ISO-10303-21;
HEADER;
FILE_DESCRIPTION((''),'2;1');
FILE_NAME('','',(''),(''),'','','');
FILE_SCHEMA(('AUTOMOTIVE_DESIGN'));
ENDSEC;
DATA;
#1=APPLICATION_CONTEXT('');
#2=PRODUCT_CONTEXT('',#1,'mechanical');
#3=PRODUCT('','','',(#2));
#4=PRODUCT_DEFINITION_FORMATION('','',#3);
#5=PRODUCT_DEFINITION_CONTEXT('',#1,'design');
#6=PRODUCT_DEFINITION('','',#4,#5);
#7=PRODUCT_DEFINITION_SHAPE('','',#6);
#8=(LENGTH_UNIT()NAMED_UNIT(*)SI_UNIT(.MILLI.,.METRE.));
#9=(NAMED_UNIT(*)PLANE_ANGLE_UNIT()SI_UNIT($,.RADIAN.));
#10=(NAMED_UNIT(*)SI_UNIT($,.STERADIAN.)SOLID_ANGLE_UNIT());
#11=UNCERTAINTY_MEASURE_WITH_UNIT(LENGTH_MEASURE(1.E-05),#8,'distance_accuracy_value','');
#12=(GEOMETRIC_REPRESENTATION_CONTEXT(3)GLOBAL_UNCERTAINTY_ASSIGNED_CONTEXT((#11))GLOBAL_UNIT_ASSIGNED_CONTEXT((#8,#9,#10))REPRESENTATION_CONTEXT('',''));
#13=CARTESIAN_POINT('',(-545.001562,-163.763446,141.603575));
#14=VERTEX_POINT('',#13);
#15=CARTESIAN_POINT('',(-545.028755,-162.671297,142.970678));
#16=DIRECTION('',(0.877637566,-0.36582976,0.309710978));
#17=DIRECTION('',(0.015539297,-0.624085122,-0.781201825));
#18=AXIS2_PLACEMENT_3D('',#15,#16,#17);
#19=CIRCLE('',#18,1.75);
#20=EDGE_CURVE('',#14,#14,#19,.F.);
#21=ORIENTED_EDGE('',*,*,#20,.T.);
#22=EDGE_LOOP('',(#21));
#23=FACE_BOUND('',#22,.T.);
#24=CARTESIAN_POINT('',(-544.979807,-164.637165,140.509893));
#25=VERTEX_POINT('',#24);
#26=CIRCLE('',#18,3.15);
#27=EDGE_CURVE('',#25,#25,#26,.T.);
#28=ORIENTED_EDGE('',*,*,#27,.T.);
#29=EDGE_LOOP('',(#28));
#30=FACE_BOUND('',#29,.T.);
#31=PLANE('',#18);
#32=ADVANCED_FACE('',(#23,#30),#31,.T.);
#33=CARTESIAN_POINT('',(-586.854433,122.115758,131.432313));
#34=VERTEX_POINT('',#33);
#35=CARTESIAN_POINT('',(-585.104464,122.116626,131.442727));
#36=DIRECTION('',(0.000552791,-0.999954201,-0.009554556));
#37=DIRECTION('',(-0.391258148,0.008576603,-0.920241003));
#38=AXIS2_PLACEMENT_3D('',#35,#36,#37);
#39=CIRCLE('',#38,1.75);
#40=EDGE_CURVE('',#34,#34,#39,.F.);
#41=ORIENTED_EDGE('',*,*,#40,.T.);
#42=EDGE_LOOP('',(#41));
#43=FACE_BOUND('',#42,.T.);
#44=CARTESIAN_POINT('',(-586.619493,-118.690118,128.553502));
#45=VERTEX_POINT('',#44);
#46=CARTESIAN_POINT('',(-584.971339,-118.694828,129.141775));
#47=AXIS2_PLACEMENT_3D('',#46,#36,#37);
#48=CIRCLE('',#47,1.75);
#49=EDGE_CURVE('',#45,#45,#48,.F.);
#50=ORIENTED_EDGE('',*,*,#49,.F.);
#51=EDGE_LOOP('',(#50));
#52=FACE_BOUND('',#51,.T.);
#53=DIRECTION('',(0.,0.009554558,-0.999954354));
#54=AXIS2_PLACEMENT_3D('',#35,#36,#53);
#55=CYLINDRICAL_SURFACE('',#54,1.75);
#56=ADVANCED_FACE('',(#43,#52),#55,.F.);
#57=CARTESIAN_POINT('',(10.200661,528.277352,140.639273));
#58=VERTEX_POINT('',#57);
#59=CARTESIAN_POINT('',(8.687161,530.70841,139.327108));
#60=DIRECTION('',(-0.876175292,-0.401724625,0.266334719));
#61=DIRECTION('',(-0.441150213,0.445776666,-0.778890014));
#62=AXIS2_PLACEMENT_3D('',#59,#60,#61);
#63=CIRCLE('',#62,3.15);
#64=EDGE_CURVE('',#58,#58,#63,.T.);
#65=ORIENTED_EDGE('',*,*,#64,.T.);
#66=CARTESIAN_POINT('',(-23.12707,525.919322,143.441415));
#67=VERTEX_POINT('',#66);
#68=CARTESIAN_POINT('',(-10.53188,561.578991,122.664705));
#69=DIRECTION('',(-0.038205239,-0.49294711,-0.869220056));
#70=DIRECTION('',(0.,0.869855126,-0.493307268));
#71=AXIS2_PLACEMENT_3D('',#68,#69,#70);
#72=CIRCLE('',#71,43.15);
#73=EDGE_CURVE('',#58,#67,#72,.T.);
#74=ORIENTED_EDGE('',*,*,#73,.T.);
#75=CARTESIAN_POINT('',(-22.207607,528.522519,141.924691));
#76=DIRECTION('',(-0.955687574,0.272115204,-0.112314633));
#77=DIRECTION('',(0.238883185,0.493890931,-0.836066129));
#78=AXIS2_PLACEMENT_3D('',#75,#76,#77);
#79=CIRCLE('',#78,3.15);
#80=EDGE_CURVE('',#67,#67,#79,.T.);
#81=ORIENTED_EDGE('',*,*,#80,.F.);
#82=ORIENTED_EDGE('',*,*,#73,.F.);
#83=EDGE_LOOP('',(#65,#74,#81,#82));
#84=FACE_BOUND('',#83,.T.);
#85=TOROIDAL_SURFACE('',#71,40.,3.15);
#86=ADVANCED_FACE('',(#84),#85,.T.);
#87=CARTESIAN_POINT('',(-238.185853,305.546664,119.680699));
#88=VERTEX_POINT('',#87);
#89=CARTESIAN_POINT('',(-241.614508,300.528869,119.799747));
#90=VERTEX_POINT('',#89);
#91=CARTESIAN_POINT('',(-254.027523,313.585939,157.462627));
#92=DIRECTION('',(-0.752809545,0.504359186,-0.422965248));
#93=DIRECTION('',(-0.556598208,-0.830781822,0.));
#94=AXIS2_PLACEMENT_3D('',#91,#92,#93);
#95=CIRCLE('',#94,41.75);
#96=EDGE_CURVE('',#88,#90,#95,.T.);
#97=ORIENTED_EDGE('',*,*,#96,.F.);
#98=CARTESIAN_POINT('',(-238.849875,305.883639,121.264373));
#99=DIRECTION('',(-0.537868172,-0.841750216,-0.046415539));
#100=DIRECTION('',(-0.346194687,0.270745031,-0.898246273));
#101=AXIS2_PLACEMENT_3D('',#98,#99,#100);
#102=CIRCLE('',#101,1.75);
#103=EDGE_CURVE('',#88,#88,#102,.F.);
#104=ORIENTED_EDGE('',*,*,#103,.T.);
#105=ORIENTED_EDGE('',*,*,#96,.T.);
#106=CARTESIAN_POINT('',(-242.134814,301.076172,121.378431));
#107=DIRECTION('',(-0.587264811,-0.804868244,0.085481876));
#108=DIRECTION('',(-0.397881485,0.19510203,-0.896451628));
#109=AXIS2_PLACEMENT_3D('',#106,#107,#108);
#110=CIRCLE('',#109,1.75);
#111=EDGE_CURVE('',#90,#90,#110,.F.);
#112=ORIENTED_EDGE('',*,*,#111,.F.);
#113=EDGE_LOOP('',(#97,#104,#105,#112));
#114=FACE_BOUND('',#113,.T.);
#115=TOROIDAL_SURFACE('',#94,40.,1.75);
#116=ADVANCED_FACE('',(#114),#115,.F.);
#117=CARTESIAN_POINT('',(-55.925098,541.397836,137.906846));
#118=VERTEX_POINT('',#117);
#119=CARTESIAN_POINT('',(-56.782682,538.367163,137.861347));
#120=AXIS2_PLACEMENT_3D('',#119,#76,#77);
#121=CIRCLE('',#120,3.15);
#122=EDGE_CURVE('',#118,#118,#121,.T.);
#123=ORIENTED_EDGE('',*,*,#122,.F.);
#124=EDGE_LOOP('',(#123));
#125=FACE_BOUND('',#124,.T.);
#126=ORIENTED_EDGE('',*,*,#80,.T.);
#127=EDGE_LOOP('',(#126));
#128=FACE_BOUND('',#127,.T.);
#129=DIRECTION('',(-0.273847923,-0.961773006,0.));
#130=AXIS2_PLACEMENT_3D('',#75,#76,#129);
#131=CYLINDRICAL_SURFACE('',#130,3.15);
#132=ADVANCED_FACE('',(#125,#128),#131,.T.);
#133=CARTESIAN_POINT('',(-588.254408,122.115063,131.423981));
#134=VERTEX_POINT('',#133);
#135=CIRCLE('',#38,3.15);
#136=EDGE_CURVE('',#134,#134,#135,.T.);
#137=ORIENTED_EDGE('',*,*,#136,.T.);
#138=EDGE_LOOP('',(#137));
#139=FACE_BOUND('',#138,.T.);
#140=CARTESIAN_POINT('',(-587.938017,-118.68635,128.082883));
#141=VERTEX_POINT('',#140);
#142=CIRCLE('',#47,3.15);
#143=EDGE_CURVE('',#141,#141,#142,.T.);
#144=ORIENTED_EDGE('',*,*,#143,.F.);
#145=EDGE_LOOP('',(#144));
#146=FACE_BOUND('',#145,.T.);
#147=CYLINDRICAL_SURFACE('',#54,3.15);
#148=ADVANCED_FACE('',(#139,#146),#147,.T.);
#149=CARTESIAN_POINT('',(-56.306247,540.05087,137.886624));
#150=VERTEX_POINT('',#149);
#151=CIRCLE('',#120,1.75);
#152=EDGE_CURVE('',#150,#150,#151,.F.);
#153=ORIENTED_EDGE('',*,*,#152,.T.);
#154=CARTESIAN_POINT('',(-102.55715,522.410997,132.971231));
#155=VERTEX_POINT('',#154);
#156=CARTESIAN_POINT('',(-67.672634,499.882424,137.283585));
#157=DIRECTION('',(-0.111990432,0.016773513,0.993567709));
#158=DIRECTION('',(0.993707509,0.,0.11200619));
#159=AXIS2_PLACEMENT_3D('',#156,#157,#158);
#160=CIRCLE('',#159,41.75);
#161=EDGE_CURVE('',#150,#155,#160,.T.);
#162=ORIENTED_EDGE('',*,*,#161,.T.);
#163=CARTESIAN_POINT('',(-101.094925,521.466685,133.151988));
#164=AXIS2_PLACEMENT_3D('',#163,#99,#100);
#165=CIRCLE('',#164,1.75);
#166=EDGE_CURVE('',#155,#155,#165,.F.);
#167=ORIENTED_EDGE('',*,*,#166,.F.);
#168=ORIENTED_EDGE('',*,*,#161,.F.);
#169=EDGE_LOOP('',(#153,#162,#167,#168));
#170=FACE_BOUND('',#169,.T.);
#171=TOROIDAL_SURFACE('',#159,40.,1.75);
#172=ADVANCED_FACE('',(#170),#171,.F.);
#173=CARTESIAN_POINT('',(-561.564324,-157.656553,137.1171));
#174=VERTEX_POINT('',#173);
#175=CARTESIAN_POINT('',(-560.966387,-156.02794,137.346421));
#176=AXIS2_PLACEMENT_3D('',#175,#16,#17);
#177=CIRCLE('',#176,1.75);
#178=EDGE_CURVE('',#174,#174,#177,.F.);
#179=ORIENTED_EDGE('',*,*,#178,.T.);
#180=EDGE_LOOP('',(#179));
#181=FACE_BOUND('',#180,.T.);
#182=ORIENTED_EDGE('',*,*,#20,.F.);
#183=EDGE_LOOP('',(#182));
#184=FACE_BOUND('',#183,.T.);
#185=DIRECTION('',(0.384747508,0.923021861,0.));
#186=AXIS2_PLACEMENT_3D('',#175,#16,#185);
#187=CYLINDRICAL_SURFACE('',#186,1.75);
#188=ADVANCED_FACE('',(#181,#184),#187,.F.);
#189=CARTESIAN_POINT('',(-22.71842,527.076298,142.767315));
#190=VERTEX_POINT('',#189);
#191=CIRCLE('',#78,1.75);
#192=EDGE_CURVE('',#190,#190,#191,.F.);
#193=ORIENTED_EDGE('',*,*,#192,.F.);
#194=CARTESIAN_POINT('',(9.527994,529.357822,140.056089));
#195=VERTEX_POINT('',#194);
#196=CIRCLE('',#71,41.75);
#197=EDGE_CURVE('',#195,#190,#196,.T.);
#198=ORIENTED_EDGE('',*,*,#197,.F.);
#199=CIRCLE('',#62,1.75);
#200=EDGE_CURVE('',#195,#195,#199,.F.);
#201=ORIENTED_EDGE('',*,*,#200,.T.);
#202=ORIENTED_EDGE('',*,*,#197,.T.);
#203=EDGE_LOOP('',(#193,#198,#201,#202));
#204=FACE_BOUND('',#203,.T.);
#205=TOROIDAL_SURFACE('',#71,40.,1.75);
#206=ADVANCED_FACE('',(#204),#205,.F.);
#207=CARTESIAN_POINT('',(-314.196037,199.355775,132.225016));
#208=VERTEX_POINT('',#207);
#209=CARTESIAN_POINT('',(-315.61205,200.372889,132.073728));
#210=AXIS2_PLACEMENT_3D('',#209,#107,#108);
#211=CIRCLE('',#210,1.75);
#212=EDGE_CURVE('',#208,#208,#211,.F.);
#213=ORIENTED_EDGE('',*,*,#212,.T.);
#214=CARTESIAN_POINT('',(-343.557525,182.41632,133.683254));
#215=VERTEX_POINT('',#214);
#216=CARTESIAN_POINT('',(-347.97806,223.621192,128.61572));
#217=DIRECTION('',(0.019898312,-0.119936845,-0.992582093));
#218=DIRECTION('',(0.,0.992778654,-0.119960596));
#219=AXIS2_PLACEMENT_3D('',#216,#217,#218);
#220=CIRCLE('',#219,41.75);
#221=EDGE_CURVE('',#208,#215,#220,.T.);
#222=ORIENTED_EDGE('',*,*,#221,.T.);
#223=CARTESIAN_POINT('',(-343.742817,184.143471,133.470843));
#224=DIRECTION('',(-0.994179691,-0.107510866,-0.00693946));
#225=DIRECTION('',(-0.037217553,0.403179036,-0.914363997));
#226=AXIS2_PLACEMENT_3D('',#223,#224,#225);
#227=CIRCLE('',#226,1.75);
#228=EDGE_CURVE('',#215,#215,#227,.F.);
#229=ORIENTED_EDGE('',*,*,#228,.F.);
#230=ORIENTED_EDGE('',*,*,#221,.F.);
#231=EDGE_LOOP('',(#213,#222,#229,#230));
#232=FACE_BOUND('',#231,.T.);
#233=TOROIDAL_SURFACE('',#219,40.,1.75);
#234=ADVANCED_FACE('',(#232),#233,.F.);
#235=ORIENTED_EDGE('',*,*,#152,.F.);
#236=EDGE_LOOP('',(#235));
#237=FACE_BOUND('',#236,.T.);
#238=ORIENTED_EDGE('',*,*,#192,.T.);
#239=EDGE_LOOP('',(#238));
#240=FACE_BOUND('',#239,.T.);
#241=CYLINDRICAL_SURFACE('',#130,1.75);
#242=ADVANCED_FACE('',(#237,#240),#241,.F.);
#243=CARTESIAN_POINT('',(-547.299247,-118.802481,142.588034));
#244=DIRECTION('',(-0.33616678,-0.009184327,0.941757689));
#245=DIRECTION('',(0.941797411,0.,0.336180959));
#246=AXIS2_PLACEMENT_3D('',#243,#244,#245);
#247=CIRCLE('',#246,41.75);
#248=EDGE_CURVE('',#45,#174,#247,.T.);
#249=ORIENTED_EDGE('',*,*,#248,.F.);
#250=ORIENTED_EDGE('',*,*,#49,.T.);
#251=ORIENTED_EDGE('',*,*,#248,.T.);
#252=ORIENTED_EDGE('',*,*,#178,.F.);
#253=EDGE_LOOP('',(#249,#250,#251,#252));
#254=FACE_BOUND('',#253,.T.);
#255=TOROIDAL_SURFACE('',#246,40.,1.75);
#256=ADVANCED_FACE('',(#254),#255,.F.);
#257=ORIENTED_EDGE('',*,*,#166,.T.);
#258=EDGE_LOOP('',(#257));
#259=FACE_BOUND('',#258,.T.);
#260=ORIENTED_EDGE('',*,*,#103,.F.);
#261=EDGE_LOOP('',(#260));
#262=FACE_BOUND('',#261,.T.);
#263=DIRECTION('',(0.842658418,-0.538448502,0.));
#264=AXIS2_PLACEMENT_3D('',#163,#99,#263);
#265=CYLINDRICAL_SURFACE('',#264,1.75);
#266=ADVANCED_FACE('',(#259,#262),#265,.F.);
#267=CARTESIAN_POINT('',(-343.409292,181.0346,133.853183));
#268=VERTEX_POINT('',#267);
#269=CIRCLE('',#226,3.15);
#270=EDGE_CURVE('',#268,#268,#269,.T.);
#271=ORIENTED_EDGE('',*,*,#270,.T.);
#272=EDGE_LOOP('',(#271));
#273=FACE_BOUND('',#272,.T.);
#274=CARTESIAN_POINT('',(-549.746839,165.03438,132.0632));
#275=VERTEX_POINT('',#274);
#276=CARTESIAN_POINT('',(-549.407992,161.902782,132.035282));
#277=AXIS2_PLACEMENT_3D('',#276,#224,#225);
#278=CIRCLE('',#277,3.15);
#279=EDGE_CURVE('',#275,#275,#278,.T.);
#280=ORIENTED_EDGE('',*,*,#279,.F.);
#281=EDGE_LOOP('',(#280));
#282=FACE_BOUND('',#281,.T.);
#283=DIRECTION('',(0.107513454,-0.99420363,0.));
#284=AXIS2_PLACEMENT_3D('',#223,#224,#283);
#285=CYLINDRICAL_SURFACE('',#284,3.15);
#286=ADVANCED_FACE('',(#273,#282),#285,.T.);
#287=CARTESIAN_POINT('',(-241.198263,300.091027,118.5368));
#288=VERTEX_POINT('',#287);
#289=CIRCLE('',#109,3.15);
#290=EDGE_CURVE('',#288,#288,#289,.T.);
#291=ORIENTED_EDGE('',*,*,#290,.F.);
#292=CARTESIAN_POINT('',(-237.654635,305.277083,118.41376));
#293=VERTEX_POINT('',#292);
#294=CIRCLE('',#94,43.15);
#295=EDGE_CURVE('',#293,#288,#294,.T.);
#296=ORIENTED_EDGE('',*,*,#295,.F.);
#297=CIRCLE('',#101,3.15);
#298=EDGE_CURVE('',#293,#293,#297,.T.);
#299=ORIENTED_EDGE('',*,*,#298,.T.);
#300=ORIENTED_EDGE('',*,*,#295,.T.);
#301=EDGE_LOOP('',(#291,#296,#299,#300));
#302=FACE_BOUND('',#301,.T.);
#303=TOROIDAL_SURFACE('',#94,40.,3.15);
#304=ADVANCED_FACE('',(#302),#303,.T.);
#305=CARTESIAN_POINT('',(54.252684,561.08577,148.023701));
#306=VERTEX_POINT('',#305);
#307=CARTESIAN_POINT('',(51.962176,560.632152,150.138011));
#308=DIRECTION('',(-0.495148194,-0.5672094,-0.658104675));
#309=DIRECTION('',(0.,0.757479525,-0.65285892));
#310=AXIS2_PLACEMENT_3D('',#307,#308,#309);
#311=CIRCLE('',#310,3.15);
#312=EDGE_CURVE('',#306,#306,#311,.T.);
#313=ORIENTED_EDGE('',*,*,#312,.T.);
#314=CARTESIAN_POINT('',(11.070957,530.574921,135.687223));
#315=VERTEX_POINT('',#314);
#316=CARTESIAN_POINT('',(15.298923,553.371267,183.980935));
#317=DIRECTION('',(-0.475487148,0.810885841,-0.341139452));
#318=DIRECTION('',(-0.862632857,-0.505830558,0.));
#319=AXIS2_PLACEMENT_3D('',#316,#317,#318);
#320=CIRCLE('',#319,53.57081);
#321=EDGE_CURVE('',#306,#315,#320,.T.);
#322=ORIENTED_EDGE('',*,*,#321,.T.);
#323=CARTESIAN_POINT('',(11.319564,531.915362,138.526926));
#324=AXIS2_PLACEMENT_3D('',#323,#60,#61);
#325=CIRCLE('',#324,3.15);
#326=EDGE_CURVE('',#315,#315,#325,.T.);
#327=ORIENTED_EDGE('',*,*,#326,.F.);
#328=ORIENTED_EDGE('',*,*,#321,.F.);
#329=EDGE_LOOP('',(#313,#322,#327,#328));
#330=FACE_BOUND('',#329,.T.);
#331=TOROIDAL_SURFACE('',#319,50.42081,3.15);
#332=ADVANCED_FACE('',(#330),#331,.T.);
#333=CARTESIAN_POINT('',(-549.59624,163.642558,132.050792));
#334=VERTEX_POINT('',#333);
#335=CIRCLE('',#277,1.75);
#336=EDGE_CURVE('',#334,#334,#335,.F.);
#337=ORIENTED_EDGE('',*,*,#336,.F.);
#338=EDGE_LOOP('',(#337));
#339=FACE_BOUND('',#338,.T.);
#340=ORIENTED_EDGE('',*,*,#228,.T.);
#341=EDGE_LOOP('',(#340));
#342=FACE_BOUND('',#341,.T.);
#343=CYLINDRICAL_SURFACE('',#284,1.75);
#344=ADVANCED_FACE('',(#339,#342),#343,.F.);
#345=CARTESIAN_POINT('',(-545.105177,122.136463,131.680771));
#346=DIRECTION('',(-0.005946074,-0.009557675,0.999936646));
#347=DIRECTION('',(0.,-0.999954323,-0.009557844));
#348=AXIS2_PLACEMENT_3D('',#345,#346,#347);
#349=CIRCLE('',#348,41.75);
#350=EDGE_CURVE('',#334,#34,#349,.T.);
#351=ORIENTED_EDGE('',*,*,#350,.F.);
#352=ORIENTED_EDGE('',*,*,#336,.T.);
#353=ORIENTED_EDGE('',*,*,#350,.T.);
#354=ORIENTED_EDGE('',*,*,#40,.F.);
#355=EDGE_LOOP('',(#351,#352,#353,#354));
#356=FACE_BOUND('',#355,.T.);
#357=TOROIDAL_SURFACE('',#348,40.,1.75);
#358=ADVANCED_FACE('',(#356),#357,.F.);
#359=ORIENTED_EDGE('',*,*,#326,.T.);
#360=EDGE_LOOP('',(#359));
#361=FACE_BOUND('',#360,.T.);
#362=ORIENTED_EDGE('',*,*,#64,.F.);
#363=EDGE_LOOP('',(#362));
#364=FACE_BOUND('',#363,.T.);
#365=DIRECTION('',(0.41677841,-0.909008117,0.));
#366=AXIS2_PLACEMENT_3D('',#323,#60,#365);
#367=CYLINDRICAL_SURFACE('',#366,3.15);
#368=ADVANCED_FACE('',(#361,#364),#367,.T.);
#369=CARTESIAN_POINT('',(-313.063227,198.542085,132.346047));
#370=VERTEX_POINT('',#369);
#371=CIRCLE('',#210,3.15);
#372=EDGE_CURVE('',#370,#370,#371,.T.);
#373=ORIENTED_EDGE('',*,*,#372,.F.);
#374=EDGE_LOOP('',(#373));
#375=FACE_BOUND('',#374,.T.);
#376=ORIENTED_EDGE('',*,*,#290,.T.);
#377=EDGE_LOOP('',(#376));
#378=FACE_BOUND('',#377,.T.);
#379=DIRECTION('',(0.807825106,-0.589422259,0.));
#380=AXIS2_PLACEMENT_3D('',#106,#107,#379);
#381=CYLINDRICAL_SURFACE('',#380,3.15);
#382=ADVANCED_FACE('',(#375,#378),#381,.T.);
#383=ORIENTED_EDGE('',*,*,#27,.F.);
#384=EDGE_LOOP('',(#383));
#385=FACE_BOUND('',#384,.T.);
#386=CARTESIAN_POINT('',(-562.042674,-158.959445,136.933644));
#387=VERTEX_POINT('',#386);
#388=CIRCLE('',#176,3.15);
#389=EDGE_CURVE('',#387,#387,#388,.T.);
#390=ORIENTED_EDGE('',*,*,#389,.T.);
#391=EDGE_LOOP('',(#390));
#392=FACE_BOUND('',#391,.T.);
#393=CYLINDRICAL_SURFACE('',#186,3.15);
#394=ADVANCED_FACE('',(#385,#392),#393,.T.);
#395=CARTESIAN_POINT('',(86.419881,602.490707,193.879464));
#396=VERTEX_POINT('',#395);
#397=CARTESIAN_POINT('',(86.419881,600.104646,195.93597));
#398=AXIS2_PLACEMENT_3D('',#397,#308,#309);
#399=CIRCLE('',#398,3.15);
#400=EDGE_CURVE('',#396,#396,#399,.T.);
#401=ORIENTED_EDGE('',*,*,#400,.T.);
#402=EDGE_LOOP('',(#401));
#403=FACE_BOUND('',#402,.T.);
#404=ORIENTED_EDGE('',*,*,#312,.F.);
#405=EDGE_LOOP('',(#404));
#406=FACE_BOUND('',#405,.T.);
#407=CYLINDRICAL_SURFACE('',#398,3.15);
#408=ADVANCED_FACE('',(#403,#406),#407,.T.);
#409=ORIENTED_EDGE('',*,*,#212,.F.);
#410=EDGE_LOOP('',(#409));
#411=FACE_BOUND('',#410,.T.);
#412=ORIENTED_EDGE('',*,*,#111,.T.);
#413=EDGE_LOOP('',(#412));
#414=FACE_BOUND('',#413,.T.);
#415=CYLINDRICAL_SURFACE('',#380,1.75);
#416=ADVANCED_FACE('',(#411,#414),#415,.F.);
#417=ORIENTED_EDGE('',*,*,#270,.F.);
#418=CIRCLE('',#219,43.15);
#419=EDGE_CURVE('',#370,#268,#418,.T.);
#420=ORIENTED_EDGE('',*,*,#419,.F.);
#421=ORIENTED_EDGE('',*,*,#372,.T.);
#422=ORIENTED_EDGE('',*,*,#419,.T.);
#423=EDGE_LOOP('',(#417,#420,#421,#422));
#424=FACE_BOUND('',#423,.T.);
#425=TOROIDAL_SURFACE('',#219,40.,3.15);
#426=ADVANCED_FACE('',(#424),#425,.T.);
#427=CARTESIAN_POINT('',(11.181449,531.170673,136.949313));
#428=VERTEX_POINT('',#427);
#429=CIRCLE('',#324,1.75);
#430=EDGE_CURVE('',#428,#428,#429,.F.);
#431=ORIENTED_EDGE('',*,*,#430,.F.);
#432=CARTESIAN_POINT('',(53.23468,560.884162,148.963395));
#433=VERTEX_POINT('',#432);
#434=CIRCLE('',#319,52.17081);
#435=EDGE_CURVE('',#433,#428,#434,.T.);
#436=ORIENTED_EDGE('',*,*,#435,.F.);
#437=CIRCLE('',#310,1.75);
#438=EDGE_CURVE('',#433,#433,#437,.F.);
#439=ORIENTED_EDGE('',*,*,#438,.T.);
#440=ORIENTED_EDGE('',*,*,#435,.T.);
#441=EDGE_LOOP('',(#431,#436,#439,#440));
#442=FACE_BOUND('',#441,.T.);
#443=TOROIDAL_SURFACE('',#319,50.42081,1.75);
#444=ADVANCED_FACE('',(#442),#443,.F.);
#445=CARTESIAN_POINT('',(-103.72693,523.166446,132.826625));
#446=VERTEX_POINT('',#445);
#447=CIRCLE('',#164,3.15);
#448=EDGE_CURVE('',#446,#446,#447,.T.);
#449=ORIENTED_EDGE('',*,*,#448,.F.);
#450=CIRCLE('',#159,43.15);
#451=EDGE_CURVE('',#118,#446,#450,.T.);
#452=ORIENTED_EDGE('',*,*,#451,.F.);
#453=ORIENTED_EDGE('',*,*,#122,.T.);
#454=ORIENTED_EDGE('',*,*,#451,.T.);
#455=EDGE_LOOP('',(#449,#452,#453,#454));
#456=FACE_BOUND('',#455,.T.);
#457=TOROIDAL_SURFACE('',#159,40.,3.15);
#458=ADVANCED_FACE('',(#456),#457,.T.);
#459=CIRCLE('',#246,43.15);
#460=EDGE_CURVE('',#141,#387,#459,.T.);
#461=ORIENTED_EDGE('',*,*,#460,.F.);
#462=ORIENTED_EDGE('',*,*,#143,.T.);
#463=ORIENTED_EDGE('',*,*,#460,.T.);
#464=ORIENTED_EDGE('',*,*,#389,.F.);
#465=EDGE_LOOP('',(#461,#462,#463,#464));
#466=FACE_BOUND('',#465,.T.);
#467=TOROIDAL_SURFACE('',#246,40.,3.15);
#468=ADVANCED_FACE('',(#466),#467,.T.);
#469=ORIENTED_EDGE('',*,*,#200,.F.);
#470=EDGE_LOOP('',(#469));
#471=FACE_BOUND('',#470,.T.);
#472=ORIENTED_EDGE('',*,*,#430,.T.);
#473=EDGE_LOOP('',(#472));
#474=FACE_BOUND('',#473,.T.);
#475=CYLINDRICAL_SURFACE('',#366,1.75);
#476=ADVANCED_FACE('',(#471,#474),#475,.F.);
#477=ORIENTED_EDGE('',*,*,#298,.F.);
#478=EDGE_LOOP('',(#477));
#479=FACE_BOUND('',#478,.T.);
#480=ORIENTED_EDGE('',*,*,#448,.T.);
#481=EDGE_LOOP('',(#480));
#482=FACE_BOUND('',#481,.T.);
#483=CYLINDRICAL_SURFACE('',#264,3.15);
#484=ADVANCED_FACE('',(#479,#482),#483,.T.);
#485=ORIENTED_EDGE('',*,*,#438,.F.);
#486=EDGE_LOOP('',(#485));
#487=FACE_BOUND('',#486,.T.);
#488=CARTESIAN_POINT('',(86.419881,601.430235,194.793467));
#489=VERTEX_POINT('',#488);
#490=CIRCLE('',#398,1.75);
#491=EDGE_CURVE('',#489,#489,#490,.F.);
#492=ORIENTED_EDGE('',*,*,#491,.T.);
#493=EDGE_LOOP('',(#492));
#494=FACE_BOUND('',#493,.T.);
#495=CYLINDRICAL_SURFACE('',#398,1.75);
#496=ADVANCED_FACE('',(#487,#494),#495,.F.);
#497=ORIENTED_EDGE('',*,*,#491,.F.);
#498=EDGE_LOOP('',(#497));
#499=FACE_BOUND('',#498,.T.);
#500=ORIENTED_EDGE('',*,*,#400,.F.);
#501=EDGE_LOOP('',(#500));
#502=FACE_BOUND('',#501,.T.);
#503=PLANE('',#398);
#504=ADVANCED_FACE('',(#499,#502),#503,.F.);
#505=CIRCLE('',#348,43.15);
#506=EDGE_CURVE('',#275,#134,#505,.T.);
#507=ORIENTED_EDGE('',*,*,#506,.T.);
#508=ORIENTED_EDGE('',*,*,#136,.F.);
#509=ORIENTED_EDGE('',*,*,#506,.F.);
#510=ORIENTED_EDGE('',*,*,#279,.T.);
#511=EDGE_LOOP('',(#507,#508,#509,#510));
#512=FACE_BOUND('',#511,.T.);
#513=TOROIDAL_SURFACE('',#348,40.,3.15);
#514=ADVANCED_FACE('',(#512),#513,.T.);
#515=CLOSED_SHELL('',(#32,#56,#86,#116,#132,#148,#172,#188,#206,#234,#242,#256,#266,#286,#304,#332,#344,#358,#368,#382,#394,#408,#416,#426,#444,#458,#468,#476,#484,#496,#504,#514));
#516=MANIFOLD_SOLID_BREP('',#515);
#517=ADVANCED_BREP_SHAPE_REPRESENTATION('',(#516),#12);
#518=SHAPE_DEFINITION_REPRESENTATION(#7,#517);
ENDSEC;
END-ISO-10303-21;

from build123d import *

# Parameters (mm, degrees)
SZKIC1_R   = 3.15
SZKIC1_R_2 = 1.75


with BuildPart() as part:
    # Wyciągnięcie po ścieżce1: sweep along a curve in space
    with BuildLine() as wyci_gni_cie_po_cie_ce1_path:
        Line((86.419880615, 600.104645999, 195.935969641), (51.962175993, 560.632152342, 150.138011064))
        ThreePointArc((51.962175993, 560.632152342, 150.138011064), (34.254965353, 545.138423284, 137.990209338), (11.319564386, 531.915361851, 138.526925645))
        Line((11.319564386, 531.915361851, 138.526925645), (8.687161303, 530.708410284, 139.327108373))
        ThreePointArc((-22.207606614, 528.522519036, 141.924690818), (-6.438680721, 526.890504984, 142.157130269), (8.687161303, 530.708410284, 139.327108373))
        Line((-22.207606614, 528.522519036, 141.924690818), (-56.782682029, 538.367162769, 137.861347312))
        ThreePointArc((-101.094924943, 521.466685422, 133.151988494), (-81.699600668, 537.276937776, 135.071230889), (-56.782682029, 538.367162769, 137.861347312))
        Line((-101.094924943, 521.466685422, 133.151988494), (-238.84987498, 305.883639321, 121.26437259))
        ThreePointArc((-242.134813599, 301.076171539, 121.37843068), (-240.456337572, 303.453021035, 121.225257584), (-238.84987498, 305.883639321, 121.26437259))
        Line((-242.134813599, 301.076171539, 121.37843068), (-315.612050211, 200.372888692, 132.073728464))
        ThreePointArc((-343.742816986, 184.143470648, 133.470842556), (-327.949460048, 189.296835255, 133.164754873), (-315.612050211, 200.372888692, 132.073728464))
        Line((-343.742816986, 184.143470648, 133.470842556), (-549.407992242, 161.902781967, 132.03528198))
        ThreePointArc((-549.407992242, 161.902781967, 132.03528198), (-574.878758367, 148.848403101, 131.759043903), (-585.104463836, 122.116625503, 131.442727408))
        Line((-585.104463836, 122.116625503, 131.442727408), (-584.971339317, -118.694827816, 129.141775489))
        ThreePointArc((-584.971339317, -118.694827816, 129.141775489), (-578.39008608, -141.28087938, 131.27073185), (-560.966387036, -156.027939679, 137.346421013))
        Line((-545.02875544, -162.671297, 142.970678291), (-560.966387036, -156.027939679, 137.346421013))
    # Szkic1 → Wyciągnięcie po ścieżce1 (sweep)
    with BuildSketch(Plane(origin=(86.419880615, 600.104645999, 195.935969641), x_dir=(-0.868090033, 0.35379433, 0.348208654), z_dir=(-0.495148194, -0.5672094, -0.658104675))):
        Circle(SZKIC1_R)
        Circle(SZKIC1_R_2, mode=Mode.SUBTRACT)
    sweep(path=wyci_gni_cie_po_cie_ce1_path.line)


solid = part.part
